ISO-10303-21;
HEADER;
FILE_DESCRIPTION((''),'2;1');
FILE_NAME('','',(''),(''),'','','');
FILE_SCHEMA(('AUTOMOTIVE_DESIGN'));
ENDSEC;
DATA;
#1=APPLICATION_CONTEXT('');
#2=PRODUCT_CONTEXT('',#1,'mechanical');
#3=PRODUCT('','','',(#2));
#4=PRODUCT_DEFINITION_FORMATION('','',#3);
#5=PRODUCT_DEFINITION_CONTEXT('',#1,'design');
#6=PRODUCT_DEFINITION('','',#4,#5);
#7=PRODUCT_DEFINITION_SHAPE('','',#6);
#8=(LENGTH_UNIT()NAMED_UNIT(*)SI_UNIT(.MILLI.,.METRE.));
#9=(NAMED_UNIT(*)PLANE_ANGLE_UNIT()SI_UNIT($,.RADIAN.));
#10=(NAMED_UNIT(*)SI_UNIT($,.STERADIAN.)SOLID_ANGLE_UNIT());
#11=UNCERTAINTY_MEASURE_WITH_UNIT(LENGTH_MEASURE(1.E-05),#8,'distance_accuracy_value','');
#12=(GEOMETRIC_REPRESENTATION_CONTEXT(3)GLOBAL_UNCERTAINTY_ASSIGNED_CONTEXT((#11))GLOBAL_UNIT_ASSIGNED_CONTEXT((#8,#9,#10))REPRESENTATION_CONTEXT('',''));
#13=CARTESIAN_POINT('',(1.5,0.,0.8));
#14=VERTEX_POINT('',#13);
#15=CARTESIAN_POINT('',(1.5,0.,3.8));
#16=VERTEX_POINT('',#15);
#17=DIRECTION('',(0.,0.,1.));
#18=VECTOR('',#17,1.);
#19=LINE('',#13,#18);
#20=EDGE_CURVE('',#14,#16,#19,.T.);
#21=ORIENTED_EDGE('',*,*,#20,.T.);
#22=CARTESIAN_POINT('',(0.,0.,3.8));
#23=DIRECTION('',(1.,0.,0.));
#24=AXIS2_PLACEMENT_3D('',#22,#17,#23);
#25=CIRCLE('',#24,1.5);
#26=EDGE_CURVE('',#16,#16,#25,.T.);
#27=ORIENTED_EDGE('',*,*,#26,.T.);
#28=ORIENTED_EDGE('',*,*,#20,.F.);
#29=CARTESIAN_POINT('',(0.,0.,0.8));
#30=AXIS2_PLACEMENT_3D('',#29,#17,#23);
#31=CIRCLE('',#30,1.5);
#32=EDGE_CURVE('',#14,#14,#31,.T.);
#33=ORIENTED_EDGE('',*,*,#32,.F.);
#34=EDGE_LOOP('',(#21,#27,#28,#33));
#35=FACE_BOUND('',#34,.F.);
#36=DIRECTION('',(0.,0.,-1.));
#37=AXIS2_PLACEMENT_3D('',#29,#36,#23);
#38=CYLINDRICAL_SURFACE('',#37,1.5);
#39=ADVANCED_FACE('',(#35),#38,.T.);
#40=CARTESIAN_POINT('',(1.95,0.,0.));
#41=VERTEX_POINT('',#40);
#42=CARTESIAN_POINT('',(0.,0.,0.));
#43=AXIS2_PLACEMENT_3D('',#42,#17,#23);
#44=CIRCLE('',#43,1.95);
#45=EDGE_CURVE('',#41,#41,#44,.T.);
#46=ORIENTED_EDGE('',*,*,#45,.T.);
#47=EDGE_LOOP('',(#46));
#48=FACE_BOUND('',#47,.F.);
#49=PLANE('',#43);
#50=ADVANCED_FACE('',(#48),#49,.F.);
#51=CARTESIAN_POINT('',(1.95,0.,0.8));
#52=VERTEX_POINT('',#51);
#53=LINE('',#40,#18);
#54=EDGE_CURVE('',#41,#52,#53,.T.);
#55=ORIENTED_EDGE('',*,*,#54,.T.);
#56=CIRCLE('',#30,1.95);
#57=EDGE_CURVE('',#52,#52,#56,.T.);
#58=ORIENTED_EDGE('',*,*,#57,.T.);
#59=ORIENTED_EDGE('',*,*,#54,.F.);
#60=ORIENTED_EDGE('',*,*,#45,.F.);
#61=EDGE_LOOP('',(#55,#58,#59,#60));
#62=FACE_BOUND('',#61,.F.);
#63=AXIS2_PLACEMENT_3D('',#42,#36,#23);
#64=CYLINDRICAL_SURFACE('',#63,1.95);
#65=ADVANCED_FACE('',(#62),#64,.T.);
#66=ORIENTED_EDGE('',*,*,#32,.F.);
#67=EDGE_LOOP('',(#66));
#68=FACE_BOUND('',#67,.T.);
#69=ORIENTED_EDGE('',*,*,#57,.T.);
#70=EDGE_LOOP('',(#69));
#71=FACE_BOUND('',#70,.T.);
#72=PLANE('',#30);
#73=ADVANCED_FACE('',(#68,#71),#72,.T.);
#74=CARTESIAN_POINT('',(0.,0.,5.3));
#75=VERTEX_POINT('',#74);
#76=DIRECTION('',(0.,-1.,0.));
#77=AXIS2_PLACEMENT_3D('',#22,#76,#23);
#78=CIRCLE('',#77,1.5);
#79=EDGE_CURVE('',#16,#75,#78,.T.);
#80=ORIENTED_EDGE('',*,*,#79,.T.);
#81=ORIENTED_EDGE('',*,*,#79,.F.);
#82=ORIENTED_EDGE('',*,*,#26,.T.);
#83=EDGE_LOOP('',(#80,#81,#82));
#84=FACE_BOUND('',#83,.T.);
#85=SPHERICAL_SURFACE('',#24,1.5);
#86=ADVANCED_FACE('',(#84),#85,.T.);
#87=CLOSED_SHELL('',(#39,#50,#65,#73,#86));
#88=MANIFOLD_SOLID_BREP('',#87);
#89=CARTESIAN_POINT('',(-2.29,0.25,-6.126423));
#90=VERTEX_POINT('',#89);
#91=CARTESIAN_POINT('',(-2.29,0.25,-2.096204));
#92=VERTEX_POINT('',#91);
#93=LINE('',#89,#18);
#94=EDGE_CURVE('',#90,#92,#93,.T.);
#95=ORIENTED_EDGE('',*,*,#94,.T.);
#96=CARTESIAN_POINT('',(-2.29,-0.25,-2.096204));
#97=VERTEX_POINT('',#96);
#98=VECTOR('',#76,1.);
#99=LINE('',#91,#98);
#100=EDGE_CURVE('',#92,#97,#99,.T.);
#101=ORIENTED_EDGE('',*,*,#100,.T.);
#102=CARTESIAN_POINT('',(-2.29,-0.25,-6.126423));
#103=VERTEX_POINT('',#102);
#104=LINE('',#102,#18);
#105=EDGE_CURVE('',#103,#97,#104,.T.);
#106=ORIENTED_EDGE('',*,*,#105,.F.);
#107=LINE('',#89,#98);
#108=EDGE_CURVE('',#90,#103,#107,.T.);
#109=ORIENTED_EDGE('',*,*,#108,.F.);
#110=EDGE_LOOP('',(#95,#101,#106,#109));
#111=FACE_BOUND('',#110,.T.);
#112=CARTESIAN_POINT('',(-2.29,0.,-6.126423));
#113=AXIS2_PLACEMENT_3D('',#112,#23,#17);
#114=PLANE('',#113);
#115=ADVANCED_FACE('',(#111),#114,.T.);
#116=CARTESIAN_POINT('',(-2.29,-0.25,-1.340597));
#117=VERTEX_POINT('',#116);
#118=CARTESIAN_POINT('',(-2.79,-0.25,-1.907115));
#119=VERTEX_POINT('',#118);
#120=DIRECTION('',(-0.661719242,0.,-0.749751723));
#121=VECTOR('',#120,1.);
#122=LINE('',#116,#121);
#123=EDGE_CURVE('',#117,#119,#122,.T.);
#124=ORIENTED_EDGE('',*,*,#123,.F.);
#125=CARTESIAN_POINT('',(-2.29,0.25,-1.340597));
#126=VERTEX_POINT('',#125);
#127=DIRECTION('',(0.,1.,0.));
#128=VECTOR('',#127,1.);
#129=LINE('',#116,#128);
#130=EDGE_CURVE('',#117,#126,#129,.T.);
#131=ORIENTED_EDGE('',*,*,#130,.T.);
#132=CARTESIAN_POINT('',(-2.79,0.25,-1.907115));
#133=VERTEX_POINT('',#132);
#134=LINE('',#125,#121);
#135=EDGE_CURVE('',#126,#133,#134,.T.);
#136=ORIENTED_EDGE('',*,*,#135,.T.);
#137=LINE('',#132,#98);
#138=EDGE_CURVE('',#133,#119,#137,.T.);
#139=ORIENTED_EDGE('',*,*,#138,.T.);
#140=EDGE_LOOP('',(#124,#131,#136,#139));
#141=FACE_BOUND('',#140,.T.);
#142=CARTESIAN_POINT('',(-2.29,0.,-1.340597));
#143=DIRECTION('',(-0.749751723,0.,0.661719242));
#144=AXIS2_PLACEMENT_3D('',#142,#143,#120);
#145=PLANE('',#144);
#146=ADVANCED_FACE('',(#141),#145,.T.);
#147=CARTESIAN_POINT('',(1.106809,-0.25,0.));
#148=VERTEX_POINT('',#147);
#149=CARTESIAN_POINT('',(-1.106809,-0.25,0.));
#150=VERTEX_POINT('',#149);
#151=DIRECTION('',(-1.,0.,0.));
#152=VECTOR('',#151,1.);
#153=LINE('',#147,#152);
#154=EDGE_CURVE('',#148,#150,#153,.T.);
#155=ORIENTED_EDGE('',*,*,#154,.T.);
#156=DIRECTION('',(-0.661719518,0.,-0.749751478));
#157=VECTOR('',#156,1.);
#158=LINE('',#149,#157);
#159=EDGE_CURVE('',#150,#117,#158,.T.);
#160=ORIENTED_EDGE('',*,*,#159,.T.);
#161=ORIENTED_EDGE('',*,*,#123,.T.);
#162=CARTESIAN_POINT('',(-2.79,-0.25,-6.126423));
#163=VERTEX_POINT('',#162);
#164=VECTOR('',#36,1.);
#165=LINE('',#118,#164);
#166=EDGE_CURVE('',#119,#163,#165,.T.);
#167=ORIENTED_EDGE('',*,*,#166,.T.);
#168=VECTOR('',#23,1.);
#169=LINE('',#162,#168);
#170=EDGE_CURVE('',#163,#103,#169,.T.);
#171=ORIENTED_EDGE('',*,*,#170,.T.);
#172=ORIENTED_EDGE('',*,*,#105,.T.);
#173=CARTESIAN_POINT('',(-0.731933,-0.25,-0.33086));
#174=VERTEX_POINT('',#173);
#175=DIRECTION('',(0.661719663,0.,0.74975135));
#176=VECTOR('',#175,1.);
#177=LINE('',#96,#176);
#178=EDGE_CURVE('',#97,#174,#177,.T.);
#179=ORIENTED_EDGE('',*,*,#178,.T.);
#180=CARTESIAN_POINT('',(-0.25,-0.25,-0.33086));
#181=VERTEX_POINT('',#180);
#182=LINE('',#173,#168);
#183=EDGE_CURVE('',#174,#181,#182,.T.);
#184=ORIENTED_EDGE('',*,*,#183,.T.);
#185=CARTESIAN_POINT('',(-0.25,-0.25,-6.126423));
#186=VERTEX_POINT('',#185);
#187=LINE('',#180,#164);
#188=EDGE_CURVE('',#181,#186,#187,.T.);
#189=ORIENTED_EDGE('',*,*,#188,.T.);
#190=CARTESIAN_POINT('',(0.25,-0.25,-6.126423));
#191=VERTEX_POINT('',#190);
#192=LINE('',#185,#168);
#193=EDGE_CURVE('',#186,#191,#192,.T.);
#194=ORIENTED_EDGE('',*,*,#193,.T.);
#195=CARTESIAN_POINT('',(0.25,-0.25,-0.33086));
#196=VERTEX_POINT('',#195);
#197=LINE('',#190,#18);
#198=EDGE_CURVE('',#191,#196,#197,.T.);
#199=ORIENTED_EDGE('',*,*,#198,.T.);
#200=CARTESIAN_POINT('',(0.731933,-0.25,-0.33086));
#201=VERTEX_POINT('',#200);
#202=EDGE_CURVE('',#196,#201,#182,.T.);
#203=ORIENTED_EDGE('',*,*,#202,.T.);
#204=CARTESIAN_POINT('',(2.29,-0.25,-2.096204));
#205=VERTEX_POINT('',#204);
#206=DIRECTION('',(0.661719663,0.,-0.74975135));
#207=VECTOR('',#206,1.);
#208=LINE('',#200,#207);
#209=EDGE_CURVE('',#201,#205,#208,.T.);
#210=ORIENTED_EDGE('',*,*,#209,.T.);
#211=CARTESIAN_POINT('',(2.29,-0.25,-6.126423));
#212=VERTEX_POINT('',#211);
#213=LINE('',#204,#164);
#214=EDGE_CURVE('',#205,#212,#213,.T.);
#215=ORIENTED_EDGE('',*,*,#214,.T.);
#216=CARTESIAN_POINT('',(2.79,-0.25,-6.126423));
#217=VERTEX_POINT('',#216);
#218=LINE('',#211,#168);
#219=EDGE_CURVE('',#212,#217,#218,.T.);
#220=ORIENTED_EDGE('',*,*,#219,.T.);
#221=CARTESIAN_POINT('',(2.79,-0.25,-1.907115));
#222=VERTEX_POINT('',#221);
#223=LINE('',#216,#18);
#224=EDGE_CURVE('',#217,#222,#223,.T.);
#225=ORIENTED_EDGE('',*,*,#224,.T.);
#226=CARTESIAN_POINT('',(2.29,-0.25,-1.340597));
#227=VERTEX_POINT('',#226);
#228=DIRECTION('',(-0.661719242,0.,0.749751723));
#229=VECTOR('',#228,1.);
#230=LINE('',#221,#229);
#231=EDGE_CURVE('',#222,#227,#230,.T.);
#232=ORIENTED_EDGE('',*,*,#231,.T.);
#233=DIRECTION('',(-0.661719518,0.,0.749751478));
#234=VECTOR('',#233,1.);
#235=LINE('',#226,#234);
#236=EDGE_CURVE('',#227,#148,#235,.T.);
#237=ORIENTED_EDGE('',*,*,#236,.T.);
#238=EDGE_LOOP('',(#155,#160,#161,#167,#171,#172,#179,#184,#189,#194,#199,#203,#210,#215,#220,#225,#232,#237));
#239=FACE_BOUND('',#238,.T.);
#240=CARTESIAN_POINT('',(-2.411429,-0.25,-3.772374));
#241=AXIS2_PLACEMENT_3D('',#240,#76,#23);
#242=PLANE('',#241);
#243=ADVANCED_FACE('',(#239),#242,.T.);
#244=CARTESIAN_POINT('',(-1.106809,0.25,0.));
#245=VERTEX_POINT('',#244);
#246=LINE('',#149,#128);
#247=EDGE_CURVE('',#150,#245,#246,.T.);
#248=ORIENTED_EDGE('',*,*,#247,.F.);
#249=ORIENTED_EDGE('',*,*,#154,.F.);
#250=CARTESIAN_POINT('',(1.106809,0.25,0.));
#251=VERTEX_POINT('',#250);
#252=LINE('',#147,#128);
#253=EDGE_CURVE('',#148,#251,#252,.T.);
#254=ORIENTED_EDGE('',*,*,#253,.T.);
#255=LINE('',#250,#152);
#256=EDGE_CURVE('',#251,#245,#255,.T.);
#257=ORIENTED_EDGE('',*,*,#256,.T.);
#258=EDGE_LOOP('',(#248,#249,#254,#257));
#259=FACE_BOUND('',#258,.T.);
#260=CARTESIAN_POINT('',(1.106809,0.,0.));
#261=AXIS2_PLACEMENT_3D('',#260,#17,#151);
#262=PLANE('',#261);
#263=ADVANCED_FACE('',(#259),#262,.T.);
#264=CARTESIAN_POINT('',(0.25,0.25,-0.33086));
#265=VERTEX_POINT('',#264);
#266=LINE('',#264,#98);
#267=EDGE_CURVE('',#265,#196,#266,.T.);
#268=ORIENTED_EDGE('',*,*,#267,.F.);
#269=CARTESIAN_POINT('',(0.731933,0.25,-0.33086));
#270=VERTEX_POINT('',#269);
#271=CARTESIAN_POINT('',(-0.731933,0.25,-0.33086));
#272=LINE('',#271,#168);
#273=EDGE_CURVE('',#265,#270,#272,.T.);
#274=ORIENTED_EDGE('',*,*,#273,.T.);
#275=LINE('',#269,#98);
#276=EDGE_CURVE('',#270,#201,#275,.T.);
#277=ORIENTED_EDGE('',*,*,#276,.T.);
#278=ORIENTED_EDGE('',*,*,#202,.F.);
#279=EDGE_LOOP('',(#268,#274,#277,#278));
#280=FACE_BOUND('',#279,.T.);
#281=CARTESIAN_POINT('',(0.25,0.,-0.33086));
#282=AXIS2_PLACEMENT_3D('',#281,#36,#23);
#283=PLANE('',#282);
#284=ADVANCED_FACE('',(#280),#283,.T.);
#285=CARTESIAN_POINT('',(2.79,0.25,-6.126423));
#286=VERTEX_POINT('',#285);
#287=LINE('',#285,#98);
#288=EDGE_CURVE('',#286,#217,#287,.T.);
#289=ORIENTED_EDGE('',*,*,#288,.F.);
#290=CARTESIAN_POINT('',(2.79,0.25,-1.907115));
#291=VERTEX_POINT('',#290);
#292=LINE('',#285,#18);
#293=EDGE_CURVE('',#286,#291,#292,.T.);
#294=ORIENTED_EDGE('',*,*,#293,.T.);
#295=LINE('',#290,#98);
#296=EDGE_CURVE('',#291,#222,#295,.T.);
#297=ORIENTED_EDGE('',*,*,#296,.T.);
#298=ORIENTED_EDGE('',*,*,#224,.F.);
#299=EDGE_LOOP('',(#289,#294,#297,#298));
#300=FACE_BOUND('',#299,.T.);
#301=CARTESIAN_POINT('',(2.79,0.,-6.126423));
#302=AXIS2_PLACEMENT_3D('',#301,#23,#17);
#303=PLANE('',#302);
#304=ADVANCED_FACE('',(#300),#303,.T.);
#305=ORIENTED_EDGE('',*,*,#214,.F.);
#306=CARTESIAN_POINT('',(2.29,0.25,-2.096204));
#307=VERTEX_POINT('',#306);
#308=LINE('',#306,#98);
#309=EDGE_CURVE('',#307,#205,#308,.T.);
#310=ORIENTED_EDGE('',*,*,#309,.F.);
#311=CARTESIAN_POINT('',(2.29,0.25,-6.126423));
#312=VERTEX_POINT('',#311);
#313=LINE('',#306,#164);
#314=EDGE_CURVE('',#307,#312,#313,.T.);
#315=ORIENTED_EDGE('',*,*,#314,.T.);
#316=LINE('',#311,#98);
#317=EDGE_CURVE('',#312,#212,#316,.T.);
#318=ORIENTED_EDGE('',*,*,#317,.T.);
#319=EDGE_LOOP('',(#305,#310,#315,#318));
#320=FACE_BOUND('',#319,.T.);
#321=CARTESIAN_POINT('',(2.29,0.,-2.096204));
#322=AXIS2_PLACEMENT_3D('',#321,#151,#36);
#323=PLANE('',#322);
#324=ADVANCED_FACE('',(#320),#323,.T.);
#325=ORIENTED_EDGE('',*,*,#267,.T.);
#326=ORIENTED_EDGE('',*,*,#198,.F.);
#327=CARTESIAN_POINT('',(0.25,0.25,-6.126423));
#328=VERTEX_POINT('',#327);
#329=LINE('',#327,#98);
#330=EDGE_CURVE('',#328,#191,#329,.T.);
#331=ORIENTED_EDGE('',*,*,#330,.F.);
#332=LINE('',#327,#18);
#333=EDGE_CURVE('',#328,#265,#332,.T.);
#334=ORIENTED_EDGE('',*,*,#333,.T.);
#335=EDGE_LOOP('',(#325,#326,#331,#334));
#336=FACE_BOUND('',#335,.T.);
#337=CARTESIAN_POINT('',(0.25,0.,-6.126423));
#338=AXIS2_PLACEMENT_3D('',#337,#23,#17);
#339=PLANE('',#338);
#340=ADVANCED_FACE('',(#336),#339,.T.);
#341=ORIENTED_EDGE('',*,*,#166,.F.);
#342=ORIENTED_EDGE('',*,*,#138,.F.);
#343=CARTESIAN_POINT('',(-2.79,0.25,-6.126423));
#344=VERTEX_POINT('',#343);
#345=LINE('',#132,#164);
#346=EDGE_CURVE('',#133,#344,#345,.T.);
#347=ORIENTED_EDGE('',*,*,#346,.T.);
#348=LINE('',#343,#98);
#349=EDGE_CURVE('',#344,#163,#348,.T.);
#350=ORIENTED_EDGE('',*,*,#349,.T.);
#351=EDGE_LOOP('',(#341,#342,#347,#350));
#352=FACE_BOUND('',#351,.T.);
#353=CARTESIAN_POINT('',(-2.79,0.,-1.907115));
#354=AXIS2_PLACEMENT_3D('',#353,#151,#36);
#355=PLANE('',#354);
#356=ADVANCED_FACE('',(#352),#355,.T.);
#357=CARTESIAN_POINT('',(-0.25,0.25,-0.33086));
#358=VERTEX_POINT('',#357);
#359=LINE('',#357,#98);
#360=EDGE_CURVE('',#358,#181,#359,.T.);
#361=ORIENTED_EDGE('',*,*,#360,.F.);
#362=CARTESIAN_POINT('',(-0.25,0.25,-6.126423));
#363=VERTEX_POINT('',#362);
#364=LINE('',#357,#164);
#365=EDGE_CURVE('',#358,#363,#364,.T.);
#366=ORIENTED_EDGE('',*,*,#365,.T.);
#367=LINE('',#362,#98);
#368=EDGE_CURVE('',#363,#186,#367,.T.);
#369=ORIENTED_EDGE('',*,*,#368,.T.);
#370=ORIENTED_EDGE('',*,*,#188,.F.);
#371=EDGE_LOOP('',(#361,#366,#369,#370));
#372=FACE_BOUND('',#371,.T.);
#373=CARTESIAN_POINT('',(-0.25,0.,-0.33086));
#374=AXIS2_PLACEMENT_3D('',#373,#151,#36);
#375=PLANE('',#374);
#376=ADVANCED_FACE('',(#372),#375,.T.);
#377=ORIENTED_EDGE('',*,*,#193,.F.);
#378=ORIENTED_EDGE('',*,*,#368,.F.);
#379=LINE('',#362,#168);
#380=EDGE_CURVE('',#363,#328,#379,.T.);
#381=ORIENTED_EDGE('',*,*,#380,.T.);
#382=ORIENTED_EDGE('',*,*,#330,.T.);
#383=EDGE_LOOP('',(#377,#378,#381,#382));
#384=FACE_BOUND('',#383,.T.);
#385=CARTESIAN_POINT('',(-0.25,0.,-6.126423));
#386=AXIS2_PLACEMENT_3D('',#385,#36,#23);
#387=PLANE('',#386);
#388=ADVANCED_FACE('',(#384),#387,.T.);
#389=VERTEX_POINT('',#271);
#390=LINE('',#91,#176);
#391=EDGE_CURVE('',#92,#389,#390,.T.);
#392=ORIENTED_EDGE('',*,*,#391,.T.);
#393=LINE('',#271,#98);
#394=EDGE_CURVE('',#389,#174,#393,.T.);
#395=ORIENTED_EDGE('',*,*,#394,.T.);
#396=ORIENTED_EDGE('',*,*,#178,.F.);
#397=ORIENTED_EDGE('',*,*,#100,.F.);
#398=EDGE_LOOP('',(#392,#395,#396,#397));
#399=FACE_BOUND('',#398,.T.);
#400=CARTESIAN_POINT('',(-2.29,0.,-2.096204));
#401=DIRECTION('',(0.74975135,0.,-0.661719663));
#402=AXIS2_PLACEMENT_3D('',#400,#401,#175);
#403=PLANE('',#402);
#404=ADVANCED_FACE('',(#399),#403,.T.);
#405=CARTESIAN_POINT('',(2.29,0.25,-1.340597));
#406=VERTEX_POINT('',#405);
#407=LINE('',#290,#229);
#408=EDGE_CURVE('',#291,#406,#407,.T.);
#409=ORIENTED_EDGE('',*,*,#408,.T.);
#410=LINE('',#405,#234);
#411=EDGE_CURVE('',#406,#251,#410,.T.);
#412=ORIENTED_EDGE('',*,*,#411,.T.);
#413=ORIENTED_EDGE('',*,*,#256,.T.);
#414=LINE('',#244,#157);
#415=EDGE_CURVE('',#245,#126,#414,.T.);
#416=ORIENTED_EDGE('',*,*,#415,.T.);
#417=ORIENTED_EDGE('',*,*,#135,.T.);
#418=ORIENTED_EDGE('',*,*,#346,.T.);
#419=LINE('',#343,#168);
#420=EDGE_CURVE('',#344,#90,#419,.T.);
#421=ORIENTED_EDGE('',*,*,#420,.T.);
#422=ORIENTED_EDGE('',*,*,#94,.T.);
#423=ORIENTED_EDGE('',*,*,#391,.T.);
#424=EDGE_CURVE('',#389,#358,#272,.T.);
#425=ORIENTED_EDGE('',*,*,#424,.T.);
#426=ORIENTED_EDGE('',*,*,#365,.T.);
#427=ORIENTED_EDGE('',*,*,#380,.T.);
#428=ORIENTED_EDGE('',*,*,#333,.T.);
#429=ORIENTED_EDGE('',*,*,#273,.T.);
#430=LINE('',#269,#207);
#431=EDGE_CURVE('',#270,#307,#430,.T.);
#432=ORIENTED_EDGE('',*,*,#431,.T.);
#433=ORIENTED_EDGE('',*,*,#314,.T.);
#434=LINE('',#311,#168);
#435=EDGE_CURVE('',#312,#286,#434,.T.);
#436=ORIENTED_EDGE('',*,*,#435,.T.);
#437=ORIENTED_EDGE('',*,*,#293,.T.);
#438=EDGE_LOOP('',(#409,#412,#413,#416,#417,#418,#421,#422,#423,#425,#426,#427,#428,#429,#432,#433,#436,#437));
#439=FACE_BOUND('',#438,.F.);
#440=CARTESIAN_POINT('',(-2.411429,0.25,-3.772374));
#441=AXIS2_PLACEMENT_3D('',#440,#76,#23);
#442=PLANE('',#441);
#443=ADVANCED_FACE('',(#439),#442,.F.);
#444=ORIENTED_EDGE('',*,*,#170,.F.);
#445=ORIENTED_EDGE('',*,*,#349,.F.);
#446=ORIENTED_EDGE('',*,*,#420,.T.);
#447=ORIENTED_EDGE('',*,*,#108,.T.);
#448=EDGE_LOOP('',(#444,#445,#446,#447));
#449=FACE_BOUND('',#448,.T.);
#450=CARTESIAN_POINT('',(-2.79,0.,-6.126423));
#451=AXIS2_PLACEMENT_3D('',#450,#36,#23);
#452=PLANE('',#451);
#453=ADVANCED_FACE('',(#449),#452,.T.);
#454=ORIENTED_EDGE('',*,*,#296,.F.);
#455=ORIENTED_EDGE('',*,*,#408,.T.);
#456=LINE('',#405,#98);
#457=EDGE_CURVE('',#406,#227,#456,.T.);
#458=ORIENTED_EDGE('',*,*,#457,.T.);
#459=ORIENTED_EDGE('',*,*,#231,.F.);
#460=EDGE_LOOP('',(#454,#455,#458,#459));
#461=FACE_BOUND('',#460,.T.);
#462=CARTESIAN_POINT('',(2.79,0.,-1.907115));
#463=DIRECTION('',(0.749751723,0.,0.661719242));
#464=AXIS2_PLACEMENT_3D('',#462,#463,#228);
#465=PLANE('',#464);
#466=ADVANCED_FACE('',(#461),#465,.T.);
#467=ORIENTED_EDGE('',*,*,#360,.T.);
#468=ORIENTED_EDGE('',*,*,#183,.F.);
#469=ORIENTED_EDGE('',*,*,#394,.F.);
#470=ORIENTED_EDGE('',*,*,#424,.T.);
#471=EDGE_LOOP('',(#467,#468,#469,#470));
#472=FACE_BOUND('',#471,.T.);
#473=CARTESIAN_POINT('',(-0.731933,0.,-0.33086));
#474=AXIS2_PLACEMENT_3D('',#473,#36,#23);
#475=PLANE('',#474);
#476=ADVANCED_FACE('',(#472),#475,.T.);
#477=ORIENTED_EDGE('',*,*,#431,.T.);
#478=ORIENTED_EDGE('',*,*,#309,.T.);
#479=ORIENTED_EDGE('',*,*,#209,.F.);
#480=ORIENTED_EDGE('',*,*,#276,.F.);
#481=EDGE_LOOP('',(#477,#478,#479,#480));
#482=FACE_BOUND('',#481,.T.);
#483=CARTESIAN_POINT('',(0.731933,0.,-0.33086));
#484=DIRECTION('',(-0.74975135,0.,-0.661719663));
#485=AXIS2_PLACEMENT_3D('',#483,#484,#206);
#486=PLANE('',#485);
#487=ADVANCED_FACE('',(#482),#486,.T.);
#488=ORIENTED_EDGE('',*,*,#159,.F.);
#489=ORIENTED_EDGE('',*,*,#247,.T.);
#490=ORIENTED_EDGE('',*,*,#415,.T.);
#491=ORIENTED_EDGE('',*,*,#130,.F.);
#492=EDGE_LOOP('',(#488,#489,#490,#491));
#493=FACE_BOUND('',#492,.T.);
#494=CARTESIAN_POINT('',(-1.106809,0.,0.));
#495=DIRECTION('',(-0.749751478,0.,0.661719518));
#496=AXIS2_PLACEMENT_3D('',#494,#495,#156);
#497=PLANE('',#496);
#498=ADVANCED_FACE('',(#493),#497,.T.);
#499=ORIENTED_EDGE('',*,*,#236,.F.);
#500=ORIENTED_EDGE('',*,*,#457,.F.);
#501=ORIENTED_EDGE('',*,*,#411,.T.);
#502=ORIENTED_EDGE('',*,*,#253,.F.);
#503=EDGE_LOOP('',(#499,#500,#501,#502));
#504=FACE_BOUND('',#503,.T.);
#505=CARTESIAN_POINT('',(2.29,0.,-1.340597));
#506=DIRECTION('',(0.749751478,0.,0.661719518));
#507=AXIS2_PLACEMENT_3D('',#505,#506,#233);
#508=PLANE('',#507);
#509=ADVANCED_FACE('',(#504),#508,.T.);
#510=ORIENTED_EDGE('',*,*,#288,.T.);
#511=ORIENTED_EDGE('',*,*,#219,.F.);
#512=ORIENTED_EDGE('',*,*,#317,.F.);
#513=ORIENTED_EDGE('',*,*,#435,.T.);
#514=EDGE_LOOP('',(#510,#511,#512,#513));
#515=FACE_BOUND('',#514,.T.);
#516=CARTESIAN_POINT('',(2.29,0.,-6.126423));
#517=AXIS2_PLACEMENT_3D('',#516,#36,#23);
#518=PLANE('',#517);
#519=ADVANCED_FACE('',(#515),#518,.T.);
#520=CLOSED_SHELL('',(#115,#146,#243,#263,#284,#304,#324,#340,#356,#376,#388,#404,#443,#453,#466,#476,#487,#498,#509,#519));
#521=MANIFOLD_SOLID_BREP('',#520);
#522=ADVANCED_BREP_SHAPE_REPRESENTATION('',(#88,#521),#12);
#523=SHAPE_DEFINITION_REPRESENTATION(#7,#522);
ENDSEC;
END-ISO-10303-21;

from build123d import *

# Parameters (mm, degrees)
F0_R          = 1.95
F1_DEPTH      = 0.8
F2_R          = 1.5
F3_DEPTH      = 4.5
F4_R          = 1.5
F6_DEPTH      = 0.25
F6_DEPTH_BACK = 0.25


with BuildPart() as f1:
    # F0 (on Top) → F1 (new body)
    with BuildSketch(Plane.XY):
        Circle(F0_R)
    extrude(amount=F1_DEPTH)

    # F2 (on face) → F3 (join)
    with BuildSketch(Plane.XY.offset(0.8)):
        Circle(F2_R)
    extrude(amount=F3_DEPTH)

    # F4
    f4_edges = [f1.edges().sort_by_distance(p)[0] for p in [
        (-1.5, 0, 5.3),
    ]]
    fillet(f4_edges, radius=F4_R)


with BuildPart() as f6:
    # F5 (on Front) → F6 (new body, two sides)
    with BuildSketch(Plane.XZ) as f6_sk:
        Polygon((-2.29, -1.340597), (-2.54, -1.623856), (-2.54, -6.126423), (-2.29, -6.126423), (-2.29, -2.096204), align=None)
        Polygon((-2.54, -6.126423), (-2.54, -1.623856), (-2.79, -1.907115), (-2.79, -6.126423), align=None)
        Polygon((-1.106809, 0), (-2.29, -1.340597), (-2.29, -2.096204), (-0.731933, -0.33086), (-0.25, -0.33086), (0.25, -0.33086), (0.731933, -0.33086), (2.29, -2.096204), (2.29, -1.340597), (1.106809, 0), align=None)
        Polygon((0.25, -0.33086), (-0.25, -0.33086), (-0.25, -6.126423), (0, -6.126423), (0.25, -6.126423), align=None)
        Polygon((2.54, -1.623856), (2.29, -1.340597), (2.29, -2.096204), (2.29, -6.126423), (2.54, -6.126423), align=None)
        Polygon((2.79, -1.907115), (2.54, -1.623856), (2.54, -6.126423), (2.79, -6.126423), align=None)
    extrude(amount=F6_DEPTH)
    extrude(f6_sk.sketch, amount=-F6_DEPTH_BACK)


solid = Compound([f1.part, f6.part])
